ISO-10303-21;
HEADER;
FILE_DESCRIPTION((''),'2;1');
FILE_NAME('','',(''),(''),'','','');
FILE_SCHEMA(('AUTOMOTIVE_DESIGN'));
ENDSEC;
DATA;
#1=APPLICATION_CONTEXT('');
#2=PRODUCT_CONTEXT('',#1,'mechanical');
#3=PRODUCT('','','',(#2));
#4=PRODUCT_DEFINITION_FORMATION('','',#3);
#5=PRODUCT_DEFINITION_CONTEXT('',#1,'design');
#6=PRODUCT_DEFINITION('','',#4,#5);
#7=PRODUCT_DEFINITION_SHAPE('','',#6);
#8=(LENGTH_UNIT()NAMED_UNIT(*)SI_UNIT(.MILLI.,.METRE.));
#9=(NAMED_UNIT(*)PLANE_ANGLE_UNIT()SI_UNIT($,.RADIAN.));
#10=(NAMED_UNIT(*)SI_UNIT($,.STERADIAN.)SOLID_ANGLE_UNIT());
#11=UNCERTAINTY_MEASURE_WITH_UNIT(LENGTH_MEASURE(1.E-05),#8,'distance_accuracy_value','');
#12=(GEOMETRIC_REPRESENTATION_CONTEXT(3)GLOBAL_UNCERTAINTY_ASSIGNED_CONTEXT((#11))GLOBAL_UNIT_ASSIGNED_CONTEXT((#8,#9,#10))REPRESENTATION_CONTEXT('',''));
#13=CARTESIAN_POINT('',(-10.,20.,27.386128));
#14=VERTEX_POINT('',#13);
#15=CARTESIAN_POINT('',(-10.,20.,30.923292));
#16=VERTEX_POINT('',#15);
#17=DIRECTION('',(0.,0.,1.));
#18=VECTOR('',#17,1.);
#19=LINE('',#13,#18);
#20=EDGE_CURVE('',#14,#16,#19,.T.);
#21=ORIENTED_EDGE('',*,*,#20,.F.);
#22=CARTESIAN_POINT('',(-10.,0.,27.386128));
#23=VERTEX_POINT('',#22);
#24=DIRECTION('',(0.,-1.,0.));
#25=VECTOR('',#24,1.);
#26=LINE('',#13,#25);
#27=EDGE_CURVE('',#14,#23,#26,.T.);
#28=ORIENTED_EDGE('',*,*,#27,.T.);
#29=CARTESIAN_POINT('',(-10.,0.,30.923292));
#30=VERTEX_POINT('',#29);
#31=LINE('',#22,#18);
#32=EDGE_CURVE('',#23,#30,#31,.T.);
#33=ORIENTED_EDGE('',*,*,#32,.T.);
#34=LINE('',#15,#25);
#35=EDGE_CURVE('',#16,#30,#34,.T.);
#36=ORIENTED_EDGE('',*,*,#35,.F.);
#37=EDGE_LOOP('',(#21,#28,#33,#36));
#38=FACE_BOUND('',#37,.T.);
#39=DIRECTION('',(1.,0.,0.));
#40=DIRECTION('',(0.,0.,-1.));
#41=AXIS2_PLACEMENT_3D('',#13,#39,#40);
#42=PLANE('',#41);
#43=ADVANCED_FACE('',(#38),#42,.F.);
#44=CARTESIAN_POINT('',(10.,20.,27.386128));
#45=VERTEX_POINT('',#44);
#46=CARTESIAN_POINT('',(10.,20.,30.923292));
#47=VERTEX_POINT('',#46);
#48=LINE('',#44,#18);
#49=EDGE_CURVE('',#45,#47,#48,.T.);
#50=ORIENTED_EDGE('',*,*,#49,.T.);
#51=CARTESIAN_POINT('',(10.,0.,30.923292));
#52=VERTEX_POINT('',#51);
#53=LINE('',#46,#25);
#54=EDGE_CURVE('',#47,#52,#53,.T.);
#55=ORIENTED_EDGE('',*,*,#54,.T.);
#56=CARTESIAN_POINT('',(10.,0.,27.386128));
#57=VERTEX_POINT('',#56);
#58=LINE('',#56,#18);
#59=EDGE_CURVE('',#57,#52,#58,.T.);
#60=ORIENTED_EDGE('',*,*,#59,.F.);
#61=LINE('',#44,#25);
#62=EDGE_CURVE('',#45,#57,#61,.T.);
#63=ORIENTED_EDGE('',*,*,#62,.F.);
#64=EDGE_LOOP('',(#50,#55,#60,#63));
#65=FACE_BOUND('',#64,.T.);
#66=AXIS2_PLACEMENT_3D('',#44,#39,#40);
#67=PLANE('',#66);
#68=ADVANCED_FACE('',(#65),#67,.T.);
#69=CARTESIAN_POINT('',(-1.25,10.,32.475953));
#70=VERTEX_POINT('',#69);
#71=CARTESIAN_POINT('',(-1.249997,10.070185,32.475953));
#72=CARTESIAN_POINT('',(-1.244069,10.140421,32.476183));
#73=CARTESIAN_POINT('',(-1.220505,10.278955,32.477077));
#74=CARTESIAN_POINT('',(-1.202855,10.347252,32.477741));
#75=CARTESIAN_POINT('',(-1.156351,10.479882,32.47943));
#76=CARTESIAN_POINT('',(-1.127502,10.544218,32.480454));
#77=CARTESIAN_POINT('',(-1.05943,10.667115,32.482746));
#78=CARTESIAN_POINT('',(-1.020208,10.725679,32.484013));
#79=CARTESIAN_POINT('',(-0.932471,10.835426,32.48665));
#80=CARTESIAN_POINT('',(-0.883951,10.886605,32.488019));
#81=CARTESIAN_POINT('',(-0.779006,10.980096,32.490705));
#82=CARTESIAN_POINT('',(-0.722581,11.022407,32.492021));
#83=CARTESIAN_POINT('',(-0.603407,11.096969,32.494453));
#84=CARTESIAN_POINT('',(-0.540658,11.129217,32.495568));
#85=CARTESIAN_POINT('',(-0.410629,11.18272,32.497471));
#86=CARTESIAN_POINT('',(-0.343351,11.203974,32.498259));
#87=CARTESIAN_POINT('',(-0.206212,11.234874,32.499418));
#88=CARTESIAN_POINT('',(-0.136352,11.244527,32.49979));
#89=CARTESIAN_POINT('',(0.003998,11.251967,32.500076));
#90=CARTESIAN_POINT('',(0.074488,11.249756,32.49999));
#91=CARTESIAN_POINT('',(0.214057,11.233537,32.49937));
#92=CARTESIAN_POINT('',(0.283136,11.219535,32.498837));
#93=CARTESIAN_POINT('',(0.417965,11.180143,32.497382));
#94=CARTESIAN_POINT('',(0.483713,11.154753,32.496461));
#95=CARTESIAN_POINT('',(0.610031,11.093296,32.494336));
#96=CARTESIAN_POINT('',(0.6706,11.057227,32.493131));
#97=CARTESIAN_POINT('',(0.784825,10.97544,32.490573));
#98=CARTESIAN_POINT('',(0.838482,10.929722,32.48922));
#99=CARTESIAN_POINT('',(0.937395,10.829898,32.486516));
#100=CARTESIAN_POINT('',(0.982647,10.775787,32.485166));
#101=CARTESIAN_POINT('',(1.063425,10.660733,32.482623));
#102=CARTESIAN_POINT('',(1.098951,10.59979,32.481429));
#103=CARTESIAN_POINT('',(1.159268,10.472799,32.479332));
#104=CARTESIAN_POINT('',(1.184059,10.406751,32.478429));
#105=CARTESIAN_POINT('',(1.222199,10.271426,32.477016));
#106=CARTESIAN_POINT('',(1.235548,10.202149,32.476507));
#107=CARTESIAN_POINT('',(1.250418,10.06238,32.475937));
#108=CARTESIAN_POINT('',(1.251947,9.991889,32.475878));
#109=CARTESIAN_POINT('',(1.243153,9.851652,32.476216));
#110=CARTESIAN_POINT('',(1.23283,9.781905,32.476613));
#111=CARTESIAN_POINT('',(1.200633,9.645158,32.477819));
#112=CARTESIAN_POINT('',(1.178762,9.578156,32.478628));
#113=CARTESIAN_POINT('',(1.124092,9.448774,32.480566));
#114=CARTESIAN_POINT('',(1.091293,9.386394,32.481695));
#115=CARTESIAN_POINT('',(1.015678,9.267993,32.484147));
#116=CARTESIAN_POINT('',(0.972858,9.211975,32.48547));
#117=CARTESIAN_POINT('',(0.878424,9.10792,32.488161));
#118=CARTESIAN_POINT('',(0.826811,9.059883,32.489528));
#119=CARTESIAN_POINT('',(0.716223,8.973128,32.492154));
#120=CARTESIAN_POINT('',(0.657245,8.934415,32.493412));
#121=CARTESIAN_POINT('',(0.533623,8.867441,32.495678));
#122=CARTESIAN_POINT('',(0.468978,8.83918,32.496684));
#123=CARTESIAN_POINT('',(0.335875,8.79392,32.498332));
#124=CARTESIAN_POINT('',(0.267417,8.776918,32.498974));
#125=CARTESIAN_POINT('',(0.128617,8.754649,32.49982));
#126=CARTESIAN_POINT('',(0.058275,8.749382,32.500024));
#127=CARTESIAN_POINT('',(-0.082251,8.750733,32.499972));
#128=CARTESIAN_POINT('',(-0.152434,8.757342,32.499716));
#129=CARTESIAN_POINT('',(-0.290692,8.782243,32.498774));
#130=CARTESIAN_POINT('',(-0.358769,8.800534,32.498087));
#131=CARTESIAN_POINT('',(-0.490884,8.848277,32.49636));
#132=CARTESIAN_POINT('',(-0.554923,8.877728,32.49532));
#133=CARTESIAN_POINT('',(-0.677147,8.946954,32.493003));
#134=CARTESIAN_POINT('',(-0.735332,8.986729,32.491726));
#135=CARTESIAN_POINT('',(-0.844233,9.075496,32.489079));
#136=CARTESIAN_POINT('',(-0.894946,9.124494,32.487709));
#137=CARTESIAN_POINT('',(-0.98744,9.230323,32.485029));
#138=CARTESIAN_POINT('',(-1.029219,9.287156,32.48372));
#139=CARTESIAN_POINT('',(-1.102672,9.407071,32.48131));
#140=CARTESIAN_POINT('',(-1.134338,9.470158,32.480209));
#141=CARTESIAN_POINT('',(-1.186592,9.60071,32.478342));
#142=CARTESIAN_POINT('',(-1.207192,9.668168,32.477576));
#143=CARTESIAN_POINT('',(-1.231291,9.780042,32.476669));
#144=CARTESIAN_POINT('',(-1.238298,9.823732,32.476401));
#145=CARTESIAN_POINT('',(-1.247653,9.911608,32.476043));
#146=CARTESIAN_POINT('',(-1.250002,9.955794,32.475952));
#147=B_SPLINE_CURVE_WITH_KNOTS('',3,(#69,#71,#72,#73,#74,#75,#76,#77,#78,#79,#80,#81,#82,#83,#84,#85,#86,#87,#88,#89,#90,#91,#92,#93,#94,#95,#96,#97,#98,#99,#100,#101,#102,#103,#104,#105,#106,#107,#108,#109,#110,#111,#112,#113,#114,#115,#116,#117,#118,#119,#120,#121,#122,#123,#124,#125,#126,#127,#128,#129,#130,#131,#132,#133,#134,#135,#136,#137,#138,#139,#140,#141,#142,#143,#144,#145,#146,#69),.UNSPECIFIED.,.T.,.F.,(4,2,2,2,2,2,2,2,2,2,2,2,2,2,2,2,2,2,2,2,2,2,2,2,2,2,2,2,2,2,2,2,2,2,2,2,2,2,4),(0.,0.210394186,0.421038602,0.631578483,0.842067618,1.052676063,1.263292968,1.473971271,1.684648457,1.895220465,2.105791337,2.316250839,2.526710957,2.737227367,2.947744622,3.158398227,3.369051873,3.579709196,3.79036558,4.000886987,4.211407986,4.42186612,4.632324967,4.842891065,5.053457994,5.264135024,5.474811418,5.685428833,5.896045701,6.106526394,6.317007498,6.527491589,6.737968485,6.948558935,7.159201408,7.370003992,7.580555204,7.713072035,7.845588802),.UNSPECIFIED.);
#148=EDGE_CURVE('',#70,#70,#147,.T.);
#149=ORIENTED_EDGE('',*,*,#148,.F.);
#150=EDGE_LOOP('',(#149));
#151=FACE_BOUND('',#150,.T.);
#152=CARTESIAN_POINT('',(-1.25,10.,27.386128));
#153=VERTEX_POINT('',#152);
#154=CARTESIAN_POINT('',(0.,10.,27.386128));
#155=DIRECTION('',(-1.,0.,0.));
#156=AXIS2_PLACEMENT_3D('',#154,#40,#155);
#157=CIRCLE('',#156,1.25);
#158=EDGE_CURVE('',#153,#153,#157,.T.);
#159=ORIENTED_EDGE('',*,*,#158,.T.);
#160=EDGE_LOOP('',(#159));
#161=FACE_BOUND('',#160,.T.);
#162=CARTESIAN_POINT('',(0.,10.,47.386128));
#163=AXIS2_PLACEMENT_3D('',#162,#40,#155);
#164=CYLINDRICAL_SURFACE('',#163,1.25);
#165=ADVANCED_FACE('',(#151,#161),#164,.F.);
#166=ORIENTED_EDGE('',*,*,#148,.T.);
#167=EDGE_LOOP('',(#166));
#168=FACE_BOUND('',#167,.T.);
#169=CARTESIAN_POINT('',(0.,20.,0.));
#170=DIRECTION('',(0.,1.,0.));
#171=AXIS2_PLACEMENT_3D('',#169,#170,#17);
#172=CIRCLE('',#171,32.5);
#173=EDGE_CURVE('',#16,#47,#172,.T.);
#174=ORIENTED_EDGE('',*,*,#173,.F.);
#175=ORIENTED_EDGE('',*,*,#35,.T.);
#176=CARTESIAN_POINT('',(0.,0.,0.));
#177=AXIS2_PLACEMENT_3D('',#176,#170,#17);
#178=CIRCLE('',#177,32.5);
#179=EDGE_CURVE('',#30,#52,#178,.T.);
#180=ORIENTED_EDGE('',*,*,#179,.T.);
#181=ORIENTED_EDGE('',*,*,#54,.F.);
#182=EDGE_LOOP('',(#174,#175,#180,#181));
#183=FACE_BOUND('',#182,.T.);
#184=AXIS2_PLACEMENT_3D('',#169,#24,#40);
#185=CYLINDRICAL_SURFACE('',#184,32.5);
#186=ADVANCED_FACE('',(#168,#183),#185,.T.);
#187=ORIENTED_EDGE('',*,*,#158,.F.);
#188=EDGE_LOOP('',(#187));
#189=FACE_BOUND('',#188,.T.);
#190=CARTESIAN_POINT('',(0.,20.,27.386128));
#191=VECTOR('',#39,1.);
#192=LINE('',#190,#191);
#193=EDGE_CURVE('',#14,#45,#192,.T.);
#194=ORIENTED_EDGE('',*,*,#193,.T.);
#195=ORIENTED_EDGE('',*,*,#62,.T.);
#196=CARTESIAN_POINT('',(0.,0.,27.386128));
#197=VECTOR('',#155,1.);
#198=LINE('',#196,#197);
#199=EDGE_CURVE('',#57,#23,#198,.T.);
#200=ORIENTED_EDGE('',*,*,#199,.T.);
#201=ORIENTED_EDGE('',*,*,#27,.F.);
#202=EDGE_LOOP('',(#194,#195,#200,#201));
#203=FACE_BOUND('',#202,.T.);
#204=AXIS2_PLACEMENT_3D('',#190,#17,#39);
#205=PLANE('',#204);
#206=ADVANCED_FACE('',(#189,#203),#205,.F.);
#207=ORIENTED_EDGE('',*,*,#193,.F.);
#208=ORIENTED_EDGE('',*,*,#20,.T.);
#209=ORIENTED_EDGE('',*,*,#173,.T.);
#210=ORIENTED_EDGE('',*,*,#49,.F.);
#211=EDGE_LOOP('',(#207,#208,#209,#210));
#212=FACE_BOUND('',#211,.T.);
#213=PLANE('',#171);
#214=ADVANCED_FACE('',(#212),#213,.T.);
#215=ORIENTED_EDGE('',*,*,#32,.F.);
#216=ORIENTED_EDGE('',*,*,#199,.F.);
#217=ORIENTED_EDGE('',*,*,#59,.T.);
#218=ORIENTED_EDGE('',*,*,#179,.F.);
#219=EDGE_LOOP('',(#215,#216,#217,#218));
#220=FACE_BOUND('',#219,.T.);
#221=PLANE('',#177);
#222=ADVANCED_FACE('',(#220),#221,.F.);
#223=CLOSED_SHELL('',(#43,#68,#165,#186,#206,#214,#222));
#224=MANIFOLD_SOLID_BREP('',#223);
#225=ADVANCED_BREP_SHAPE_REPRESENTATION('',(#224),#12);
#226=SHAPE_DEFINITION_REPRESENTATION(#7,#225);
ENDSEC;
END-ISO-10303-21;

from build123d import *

# Parameters (mm, degrees)
BOSS_EXTRUDE1_DEPTH = 20
SKETCH3_R           = 1.25
CUT_EXTRUDE1_DEPTH  = 20


with BuildPart() as part:
    # Sketch2 → Boss-Extrude1 (new body)
    with BuildSketch(Plane(origin=(0, 0, 0), x_dir=(1, 0, 0), z_dir=(0, 1, 0))):
        with BuildLine():
            Line((0, -27.386127875), (-10, -27.386127875))
            Line((-10, -27.386127875), (-10, -30.923292192))
            ThreePointArc((-10, -30.923292192), (0, -32.5), (10, -30.923292192))
            Line((10, -30.923292192), (10, -27.386127875))
            Line((10, -27.386127875), (0, -27.386127875))
        make_face()
    extrude(amount=BOSS_EXTRUDE1_DEPTH)

    # Sketch3 → Cut-Extrude1 (cut)
    with BuildSketch(Plane(origin=(0, 0, 27.386127875), x_dir=(-1, 0, 0), z_dir=(0, 0, -1))):
        with Locations((0, 10)):
            Circle(SKETCH3_R)
    extrude(amount=-CUT_EXTRUDE1_DEPTH, mode=Mode.SUBTRACT)


solid = part.part
